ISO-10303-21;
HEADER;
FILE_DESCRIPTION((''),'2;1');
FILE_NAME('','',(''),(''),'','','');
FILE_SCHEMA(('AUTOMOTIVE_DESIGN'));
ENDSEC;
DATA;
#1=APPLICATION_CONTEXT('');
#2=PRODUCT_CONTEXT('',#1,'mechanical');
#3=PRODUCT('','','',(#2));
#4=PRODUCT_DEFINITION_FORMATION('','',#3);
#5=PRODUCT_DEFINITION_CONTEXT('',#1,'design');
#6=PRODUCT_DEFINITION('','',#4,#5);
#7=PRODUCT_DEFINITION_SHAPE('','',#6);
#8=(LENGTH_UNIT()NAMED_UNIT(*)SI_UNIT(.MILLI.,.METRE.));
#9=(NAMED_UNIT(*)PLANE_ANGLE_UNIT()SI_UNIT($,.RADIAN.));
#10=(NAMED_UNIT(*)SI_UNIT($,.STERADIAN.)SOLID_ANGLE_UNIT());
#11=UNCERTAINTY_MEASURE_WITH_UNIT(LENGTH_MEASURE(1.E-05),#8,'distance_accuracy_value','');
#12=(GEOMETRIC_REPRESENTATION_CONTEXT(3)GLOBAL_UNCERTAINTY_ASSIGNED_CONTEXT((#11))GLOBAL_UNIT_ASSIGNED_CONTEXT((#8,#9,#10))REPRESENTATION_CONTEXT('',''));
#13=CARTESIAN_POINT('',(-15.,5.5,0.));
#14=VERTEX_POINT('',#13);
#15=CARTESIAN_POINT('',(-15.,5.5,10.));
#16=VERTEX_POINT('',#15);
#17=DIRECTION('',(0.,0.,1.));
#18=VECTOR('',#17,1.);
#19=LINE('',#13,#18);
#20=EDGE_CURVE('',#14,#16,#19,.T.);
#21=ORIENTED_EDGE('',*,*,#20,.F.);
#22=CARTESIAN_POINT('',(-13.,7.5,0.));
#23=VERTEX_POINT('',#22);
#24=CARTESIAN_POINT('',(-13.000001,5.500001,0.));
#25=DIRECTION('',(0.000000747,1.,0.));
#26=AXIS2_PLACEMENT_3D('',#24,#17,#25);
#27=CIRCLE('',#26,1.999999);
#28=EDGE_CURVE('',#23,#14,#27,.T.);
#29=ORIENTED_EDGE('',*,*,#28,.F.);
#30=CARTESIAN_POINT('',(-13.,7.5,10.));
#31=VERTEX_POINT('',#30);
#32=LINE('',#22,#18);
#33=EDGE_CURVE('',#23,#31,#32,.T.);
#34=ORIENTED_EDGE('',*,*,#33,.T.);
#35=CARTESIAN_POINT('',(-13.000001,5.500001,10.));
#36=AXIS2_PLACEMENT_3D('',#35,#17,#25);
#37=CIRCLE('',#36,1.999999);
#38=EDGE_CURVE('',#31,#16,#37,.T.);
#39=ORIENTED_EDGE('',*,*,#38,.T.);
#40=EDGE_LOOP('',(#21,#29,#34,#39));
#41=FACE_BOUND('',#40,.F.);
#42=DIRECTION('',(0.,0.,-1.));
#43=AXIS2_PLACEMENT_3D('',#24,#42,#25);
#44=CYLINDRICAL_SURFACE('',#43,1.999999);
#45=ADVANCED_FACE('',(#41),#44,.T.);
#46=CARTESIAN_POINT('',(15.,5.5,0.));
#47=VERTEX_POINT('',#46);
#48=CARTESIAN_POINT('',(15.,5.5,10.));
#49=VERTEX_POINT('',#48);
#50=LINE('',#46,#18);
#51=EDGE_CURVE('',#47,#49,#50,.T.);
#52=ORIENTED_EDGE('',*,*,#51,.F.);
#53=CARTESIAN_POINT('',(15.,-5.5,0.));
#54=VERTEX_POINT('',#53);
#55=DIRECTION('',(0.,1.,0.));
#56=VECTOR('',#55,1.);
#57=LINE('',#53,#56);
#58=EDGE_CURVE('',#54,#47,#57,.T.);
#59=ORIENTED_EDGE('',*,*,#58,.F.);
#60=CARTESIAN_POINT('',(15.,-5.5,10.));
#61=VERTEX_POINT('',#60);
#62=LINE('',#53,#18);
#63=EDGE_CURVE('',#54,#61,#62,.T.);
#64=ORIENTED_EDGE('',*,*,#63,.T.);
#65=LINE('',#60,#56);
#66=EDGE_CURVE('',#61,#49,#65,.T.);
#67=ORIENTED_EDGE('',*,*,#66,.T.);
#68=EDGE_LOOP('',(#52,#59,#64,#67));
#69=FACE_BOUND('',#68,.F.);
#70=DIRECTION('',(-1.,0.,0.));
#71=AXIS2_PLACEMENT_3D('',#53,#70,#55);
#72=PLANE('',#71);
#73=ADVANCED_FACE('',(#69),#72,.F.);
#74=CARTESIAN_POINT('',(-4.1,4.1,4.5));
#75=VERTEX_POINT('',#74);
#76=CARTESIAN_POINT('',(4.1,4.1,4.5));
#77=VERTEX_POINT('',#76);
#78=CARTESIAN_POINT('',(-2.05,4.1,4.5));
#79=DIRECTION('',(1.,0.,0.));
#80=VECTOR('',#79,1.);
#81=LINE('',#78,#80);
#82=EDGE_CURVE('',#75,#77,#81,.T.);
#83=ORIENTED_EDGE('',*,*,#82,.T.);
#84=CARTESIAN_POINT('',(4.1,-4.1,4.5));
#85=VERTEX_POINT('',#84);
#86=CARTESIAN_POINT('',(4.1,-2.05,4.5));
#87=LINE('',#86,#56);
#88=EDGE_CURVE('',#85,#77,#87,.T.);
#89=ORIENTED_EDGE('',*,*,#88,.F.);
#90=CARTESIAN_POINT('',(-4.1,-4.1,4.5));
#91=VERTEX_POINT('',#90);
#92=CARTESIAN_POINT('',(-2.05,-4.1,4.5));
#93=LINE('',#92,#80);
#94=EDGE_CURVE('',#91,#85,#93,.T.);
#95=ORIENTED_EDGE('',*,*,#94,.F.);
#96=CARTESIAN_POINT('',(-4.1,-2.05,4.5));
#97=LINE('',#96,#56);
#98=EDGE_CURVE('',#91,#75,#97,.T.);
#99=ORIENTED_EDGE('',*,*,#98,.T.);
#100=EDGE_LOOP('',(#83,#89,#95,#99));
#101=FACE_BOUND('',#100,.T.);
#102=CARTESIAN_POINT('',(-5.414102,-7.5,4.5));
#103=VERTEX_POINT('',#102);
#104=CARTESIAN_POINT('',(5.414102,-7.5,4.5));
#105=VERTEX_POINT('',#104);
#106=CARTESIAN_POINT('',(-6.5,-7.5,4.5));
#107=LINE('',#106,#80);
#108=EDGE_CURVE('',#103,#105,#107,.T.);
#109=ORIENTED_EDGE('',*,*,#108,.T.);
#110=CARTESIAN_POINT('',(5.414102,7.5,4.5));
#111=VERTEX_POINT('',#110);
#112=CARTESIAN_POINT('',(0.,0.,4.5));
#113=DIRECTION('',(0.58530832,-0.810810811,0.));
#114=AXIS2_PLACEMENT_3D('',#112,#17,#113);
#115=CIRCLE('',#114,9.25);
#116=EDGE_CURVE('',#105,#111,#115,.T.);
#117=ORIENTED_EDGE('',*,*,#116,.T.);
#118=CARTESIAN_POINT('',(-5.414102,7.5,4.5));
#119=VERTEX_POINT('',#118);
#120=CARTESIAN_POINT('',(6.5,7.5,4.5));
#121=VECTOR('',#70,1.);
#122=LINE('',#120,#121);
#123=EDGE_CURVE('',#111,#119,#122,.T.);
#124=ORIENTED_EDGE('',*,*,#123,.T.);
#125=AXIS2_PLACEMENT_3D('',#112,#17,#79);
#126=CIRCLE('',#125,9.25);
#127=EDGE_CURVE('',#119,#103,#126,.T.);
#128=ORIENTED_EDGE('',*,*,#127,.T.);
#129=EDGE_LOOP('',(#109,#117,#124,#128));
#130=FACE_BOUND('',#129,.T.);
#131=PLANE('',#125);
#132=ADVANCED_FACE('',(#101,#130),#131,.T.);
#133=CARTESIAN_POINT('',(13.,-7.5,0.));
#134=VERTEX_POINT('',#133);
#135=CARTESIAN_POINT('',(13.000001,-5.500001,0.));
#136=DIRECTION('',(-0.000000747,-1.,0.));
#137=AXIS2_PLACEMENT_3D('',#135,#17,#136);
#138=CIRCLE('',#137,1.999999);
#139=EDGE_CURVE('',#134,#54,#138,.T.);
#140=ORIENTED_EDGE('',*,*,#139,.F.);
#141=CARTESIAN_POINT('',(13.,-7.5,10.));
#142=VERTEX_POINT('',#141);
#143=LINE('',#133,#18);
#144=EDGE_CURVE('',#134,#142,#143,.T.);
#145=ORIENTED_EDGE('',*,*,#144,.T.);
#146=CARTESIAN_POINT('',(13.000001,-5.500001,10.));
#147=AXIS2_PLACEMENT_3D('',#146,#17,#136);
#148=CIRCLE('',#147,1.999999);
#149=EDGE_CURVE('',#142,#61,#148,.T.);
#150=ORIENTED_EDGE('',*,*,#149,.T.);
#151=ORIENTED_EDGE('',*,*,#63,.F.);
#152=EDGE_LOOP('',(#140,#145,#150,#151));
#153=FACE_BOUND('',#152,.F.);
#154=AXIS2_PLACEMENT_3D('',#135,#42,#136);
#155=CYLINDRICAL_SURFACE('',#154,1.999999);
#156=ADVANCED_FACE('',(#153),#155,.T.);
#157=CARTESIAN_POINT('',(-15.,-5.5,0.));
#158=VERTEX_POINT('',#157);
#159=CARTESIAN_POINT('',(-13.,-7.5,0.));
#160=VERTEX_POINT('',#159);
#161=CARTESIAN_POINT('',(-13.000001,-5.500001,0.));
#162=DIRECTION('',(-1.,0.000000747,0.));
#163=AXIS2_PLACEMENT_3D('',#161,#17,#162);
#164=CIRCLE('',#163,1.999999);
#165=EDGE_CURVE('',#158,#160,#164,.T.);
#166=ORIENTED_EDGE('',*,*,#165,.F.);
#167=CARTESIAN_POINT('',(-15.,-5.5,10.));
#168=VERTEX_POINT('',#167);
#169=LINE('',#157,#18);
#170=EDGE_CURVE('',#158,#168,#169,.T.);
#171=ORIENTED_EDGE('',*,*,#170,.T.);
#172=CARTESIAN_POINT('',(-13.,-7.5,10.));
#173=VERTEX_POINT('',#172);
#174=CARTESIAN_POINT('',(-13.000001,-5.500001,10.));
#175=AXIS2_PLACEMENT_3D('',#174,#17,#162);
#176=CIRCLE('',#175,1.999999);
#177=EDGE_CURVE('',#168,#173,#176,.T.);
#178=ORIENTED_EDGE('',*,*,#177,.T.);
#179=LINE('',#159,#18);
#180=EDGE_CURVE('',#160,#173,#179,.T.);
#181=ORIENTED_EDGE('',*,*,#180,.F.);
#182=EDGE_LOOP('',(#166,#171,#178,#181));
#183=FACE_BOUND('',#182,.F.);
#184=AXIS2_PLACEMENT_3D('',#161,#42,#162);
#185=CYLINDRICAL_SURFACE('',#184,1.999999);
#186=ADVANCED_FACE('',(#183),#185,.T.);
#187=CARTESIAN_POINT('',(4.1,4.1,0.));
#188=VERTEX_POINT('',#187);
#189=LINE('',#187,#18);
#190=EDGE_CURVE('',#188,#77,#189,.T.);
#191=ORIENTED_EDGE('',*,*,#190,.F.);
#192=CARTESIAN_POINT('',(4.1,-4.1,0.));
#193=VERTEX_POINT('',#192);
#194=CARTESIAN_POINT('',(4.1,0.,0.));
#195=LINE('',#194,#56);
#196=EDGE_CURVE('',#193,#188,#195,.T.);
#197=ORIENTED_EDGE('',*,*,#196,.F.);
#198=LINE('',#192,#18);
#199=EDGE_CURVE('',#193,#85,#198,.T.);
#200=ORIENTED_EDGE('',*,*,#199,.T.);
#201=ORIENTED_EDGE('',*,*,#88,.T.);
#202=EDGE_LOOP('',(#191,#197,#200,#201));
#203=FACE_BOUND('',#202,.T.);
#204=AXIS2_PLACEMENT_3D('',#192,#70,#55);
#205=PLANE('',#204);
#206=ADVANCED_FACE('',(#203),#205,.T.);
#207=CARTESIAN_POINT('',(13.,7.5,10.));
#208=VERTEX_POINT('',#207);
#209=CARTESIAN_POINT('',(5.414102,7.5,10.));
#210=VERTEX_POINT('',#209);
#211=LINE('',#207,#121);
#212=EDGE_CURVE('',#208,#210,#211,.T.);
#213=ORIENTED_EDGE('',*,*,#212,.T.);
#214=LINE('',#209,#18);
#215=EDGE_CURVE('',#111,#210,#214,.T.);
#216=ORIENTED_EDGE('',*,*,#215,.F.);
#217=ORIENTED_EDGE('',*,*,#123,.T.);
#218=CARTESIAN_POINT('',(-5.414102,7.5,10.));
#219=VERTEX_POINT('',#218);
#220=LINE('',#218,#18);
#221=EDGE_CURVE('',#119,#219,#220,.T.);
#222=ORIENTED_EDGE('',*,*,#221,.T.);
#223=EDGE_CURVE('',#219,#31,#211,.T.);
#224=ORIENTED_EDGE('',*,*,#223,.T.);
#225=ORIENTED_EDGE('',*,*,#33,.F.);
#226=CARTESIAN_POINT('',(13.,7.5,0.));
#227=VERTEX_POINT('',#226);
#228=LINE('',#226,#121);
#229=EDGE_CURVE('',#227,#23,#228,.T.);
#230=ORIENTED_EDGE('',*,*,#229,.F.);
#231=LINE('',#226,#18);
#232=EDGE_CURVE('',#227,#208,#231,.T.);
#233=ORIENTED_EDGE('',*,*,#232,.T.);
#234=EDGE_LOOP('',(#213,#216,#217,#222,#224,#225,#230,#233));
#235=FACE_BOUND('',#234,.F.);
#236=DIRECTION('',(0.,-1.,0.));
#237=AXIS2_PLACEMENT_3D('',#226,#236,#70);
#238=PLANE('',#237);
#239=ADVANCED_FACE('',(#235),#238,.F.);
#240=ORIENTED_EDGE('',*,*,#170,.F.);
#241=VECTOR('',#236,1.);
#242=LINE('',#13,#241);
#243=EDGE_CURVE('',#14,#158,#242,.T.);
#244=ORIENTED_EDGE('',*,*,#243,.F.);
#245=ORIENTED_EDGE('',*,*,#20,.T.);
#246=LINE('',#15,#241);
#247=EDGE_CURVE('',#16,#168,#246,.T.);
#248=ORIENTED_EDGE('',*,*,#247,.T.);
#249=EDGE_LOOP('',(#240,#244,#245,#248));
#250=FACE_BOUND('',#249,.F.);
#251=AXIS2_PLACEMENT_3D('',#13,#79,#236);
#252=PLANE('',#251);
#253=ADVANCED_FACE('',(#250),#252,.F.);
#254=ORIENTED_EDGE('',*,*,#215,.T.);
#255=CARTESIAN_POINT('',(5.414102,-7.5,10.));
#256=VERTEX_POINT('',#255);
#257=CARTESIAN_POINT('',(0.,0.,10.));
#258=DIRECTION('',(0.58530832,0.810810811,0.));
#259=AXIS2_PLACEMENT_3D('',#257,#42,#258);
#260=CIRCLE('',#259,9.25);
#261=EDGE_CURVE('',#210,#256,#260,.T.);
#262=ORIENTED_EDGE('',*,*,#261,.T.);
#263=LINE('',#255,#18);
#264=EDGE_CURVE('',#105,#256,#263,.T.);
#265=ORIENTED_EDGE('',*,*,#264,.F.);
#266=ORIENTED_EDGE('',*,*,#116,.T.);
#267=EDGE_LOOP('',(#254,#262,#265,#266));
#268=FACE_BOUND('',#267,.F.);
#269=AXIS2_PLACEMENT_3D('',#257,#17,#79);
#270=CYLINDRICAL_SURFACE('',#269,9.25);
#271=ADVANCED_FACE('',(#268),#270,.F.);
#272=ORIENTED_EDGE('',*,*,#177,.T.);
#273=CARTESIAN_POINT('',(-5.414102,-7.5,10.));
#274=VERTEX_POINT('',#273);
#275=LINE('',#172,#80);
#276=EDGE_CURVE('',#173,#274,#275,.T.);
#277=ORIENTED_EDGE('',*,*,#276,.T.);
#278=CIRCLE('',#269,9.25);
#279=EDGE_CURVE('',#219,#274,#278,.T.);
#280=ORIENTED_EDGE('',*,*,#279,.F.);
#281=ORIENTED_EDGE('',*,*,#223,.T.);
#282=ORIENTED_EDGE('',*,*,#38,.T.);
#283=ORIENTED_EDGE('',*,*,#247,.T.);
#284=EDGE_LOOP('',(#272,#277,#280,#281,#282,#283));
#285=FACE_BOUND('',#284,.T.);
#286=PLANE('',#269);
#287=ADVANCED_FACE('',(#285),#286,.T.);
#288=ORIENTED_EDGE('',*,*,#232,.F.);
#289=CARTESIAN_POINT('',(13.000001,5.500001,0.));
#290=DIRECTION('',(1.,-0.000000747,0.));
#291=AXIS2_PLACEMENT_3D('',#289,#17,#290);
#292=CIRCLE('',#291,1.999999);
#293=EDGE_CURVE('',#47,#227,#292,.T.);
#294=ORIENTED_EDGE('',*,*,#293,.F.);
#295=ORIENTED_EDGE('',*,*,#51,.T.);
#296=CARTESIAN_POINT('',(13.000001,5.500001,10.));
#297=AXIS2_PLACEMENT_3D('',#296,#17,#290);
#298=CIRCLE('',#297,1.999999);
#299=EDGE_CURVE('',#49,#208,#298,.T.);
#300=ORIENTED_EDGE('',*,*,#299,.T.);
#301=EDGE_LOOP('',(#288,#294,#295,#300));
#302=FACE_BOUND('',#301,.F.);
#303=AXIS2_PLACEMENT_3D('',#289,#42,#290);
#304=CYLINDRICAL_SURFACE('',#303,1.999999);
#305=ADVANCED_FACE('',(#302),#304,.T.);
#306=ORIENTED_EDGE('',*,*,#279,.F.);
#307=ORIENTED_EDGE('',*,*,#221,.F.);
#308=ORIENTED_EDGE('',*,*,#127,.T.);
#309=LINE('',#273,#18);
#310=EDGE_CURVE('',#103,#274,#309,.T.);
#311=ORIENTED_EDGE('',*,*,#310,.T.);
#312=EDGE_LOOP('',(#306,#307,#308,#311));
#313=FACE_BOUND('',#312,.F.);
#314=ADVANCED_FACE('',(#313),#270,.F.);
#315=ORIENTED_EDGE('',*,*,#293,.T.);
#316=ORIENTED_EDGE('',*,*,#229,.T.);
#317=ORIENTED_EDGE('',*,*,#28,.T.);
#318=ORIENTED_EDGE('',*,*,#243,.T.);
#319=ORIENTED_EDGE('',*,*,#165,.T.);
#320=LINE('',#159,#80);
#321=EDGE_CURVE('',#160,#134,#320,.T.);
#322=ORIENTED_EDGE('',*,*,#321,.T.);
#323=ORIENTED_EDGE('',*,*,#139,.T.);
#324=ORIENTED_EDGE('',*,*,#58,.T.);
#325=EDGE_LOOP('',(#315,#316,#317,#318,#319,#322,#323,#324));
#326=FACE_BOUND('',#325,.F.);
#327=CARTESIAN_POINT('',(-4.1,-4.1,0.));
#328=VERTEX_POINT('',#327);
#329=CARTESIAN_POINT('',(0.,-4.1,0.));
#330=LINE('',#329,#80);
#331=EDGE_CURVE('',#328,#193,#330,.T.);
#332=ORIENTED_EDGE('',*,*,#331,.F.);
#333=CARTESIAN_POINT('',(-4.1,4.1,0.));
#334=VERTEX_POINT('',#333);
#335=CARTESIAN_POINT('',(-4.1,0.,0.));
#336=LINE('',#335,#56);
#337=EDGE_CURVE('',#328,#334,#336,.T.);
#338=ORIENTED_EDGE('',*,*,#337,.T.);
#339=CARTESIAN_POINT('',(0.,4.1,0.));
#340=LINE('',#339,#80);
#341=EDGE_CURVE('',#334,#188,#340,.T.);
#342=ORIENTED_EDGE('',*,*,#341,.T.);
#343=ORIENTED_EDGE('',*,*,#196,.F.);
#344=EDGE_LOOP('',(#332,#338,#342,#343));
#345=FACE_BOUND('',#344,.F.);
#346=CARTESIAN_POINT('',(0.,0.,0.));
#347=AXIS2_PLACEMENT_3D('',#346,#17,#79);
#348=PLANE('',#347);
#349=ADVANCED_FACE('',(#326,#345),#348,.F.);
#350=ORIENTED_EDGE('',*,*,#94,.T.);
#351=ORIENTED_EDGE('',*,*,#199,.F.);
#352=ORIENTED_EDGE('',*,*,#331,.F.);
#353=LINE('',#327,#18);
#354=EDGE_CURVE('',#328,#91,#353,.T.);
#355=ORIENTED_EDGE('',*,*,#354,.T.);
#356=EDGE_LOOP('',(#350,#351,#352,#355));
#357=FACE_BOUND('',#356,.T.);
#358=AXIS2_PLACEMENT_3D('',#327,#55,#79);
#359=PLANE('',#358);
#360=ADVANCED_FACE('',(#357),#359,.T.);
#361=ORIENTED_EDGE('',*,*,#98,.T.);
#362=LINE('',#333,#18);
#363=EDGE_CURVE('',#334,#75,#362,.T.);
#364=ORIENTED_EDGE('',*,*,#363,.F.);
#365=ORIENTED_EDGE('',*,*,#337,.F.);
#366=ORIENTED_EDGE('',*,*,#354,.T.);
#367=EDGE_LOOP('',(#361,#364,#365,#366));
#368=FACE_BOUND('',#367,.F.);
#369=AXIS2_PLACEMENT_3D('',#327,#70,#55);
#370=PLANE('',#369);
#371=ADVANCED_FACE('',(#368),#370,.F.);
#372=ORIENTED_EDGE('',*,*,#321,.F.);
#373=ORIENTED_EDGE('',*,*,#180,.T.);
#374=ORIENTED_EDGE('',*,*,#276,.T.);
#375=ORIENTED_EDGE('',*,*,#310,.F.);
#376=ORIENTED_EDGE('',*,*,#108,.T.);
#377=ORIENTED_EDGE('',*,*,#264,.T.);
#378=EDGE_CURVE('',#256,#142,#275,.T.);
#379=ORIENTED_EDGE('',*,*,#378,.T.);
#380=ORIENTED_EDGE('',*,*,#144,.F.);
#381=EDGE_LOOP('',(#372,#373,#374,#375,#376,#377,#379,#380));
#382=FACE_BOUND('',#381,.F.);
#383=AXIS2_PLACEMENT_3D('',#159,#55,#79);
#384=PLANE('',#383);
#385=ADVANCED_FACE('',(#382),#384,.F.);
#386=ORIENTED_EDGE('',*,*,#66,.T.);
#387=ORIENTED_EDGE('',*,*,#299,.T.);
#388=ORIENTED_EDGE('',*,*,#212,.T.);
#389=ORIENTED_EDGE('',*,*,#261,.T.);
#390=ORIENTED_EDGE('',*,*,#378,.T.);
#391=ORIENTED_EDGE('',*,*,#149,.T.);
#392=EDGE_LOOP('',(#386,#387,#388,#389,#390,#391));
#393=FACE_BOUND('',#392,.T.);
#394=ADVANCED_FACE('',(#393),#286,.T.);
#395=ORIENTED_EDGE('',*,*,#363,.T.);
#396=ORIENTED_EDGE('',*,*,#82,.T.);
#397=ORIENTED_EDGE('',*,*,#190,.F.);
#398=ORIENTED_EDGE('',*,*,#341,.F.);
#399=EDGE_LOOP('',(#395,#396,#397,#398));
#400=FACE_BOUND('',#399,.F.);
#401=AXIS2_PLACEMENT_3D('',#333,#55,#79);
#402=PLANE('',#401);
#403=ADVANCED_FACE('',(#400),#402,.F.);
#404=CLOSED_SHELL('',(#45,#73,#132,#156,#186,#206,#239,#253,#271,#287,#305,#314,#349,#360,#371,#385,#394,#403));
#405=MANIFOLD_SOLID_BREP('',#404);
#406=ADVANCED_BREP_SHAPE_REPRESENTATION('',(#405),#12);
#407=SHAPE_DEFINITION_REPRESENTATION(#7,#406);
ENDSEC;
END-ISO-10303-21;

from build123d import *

# Parameters (mm, degrees)
F0_W     = 8.2
F0_H     = 8.2
F1_DEPTH = 10
F2_R     = 9.25
F3_DEPTH = 5.5


with BuildPart() as f1:
    # F0 (on Top) → F1 (new body)
    with BuildSketch(Plane.XY):
        with BuildLine():
            ThreePointArc((15, 5.5), (14.414214, 6.914214), (13, 7.5))
            Line((13, 7.5), (-13, 7.5))
            ThreePointArc((-13, 7.5), (-14.414214, 6.914214), (-15, 5.5))
            Line((-15, 5.5), (-15, -5.5))
            ThreePointArc((-15, -5.5), (-14.414214, -6.914214), (-13, -7.5))
            Line((-13, -7.5), (13, -7.5))
            ThreePointArc((13, -7.5), (14.414214, -6.914214), (15, -5.5))
            Line((15, -5.5), (15, 5.5))
        make_face()
        Rectangle(F0_W, F0_H, mode=Mode.SUBTRACT)
    extrude(amount=F1_DEPTH)

    # F2 (on face) → F3 (cut)
    with BuildSketch(Plane.XY.offset(10)):
        Circle(F2_R)
    extrude(amount=-F3_DEPTH, mode=Mode.SUBTRACT)


solid = f1.part
